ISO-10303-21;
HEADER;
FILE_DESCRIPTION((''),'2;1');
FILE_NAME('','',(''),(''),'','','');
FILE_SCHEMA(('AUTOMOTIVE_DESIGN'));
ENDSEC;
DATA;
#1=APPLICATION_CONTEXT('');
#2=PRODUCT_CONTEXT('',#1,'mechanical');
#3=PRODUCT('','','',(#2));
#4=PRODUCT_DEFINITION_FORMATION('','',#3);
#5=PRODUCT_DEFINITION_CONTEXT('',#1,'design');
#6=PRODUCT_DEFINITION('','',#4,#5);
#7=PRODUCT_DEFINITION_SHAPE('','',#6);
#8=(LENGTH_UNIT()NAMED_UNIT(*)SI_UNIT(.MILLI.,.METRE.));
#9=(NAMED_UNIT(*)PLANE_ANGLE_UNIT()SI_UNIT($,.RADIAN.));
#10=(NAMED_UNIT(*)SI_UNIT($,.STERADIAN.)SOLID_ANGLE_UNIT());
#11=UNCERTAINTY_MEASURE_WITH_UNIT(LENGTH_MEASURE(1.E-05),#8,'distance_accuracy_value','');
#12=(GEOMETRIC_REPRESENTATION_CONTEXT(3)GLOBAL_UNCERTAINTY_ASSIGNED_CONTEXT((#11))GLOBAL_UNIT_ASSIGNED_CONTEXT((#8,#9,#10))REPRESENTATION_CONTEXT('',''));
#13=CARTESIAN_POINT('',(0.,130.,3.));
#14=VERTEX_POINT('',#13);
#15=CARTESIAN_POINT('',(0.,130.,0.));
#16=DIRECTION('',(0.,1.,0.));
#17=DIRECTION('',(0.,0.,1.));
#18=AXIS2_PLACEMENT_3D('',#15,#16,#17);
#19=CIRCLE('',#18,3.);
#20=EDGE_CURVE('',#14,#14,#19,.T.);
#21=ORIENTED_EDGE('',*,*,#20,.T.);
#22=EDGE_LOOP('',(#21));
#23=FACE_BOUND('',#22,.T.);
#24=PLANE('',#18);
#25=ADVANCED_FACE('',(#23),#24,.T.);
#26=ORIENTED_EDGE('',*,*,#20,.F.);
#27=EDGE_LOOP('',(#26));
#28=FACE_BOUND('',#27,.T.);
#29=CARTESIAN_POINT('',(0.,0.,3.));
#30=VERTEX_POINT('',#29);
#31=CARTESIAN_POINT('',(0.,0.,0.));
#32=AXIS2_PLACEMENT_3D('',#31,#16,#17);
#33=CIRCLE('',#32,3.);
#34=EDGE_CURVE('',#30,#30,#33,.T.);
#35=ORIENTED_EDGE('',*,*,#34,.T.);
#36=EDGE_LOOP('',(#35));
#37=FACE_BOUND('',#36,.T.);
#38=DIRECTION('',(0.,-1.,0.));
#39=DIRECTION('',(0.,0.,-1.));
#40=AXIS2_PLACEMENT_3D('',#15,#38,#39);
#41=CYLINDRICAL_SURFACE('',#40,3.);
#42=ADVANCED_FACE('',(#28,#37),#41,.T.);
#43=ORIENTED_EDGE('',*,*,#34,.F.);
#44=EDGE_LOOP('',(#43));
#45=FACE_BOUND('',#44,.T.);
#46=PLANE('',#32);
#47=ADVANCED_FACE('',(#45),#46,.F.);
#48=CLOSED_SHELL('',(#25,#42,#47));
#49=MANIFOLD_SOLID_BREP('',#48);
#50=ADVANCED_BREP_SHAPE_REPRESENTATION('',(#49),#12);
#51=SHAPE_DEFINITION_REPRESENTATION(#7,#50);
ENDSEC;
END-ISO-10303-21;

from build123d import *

# Parameters (mm, degrees)
SKETCH1_R           = 3
BOSS_EXTRUDE1_DEPTH = 130


with BuildPart() as part:
    # Sketch1 → Boss-Extrude1 (new body)
    with BuildSketch(Plane(origin=(0, 0, 0), x_dir=(1, 0, 0), z_dir=(0, 1, 0))):
        Circle(SKETCH1_R)
    extrude(amount=BOSS_EXTRUDE1_DEPTH)


solid = part.part
